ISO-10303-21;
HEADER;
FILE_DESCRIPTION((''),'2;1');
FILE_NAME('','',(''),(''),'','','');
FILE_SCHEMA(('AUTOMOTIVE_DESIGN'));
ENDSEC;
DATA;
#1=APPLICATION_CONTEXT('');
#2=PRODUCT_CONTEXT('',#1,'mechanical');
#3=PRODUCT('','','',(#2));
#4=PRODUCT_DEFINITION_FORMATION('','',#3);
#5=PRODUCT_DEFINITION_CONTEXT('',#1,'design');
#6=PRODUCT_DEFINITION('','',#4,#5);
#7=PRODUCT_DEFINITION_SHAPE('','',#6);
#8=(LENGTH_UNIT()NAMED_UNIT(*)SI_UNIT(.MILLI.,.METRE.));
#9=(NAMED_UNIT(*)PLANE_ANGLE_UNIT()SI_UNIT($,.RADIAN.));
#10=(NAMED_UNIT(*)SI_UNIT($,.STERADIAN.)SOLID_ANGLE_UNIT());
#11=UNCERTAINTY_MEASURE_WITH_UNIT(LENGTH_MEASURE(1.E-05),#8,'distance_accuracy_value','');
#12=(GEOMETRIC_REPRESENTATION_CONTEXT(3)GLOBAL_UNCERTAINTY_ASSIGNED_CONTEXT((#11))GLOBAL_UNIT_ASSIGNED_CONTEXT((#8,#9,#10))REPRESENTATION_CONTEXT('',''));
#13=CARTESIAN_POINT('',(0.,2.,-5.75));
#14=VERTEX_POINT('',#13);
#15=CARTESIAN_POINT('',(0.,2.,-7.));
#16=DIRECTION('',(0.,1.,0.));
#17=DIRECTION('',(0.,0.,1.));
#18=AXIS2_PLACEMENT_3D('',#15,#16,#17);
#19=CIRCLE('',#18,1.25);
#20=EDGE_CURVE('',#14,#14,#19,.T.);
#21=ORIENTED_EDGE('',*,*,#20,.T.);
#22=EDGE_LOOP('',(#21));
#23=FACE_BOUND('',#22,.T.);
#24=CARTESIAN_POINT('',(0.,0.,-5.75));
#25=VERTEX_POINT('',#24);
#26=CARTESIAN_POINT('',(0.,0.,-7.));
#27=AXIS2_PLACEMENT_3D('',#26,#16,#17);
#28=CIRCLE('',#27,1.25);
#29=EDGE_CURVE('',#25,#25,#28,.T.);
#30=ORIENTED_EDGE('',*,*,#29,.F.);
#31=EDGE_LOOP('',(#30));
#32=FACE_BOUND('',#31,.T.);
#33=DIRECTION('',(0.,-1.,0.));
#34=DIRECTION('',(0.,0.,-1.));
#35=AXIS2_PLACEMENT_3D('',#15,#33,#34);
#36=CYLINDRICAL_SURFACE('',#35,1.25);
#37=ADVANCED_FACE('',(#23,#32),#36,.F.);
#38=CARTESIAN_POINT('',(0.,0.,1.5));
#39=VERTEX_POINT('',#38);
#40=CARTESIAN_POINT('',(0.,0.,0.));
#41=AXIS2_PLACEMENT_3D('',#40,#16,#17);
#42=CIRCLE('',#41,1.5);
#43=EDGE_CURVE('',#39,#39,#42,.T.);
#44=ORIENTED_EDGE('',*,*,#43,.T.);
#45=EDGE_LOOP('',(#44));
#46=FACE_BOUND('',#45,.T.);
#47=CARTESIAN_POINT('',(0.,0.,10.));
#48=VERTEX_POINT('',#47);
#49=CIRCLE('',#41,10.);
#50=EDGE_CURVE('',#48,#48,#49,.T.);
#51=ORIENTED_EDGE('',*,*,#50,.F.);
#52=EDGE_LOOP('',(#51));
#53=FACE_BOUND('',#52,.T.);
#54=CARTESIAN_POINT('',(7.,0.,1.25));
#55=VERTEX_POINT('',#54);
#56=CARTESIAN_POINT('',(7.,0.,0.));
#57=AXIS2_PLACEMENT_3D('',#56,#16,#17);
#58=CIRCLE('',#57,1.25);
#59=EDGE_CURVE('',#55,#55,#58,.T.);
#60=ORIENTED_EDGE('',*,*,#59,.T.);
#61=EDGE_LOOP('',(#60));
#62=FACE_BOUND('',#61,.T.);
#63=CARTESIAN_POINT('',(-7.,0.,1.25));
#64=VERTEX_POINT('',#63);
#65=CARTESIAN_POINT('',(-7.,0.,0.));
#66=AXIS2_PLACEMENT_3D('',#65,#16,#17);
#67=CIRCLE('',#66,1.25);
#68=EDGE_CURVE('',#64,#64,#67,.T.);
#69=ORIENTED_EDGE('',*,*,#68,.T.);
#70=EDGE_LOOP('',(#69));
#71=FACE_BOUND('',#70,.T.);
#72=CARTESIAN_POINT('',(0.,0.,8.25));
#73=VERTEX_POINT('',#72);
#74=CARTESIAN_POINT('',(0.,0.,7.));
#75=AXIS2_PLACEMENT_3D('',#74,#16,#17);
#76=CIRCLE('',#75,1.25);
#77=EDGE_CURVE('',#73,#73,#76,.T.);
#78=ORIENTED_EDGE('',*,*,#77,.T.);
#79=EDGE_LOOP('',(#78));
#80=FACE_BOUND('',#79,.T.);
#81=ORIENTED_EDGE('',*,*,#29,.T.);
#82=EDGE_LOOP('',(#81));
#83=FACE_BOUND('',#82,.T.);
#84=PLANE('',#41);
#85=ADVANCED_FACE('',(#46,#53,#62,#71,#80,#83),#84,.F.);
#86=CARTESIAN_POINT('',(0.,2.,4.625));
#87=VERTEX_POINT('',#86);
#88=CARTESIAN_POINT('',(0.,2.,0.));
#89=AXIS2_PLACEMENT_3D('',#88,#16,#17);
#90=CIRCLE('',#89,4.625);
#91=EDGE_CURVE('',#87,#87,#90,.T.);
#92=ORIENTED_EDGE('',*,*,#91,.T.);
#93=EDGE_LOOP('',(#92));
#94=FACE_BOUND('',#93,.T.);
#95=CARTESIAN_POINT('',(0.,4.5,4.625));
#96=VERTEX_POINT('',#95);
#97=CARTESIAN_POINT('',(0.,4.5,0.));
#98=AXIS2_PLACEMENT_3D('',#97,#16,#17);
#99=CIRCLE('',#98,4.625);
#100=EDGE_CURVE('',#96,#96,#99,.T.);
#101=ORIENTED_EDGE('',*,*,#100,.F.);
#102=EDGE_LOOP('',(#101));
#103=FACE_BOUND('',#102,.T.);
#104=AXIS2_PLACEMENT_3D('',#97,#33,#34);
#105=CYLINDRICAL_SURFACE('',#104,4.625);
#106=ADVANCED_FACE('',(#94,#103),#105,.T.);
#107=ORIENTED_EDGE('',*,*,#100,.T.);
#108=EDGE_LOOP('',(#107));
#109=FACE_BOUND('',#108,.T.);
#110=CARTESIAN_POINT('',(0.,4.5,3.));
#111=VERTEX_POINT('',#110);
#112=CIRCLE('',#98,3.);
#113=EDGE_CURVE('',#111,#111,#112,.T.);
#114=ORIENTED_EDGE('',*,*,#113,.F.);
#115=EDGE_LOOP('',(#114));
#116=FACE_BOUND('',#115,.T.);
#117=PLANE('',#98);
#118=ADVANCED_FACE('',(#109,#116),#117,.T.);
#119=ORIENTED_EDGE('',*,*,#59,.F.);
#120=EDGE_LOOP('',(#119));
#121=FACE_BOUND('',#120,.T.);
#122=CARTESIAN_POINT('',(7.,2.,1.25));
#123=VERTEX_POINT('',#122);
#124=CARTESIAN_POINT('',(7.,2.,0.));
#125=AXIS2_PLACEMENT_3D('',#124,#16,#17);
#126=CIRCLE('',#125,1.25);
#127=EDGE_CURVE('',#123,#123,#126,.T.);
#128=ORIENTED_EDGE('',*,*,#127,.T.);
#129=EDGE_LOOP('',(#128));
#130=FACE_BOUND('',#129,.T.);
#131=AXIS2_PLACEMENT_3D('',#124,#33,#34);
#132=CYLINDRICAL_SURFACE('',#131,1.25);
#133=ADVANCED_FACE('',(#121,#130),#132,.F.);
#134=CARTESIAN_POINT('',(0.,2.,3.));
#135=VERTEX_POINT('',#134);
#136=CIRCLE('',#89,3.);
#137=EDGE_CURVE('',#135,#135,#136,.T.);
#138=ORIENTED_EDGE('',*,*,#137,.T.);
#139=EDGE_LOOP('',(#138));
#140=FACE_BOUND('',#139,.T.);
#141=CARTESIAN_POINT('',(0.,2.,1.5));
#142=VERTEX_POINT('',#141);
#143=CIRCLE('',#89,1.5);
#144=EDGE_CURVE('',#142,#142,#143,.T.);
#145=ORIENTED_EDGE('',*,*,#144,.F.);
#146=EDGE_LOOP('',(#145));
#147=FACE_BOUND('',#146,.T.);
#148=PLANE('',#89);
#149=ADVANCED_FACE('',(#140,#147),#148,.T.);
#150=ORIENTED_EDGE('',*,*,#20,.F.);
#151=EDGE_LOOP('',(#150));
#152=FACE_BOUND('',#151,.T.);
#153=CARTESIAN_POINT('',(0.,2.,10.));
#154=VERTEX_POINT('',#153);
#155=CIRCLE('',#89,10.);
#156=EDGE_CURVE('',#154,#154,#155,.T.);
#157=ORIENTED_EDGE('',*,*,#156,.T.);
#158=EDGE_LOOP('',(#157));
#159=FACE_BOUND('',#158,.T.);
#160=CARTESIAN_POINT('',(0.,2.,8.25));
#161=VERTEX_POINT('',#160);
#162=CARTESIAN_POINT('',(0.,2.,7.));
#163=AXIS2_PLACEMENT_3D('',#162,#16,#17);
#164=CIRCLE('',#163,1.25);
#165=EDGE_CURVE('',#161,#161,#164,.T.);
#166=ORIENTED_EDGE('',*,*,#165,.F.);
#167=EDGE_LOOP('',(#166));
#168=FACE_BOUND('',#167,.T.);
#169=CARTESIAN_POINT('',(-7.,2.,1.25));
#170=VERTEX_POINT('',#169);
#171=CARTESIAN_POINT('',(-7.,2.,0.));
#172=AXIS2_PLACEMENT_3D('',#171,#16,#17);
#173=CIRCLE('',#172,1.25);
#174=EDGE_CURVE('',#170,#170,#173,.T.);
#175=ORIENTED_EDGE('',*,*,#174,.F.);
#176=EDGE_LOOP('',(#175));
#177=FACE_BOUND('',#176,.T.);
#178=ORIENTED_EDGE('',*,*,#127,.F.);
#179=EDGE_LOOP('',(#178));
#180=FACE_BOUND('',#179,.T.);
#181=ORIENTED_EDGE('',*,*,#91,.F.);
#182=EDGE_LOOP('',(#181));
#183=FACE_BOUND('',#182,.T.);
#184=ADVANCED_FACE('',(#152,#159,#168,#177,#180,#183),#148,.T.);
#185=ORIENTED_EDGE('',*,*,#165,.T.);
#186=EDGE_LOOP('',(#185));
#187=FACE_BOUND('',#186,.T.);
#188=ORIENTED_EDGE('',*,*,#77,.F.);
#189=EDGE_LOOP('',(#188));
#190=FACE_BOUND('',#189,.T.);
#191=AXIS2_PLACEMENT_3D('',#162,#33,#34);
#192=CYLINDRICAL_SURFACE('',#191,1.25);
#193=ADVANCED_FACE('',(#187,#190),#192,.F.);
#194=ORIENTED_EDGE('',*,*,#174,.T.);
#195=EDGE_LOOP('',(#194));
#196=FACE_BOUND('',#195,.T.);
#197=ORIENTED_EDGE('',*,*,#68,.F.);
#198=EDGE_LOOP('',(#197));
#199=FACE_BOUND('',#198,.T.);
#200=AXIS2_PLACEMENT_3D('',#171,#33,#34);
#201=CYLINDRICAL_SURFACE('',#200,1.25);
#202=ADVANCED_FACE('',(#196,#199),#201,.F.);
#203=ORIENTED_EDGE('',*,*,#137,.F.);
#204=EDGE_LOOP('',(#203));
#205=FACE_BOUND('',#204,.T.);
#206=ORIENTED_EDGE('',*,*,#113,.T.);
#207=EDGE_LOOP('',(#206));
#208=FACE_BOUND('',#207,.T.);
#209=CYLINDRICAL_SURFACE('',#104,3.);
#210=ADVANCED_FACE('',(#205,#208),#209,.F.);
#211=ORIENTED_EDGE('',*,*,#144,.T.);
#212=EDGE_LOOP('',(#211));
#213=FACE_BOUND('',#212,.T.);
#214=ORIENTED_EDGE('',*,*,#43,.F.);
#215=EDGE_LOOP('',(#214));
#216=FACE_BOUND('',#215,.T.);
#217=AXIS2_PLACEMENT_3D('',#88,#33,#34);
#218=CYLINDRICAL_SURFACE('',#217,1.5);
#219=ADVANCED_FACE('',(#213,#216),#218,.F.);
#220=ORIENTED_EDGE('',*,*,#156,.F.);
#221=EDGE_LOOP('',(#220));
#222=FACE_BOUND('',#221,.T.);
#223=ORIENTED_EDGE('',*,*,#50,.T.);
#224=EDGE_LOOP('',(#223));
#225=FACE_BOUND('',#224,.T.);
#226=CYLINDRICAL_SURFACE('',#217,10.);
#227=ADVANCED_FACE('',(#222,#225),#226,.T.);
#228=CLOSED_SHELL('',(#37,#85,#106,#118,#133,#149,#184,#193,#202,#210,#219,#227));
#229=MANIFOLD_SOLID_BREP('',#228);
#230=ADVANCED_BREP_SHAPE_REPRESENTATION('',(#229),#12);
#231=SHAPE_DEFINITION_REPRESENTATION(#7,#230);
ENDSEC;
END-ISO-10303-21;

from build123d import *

# Parameters (mm, degrees)
SKETCH1_R           = 10
SKETCH1_R_2         = 1.25
SKETCH1_R_3         = 1.5
BOSS_EXTRUDE1_DEPTH = 2
SKETCH2_R           = 4.625
SKETCH2_R_2         = 3
BOSS_EXTRUDE2_DEPTH = 2.5


with BuildPart() as part:
    # Sketch1 → Boss-Extrude1 (new body)
    with BuildSketch(Plane(origin=(0, 0, 0), x_dir=(1, 0, 0), z_dir=(0, 1, 0))):
        Circle(SKETCH1_R)
        with Locations((0, 7)):
            Circle(SKETCH1_R_2, mode=Mode.SUBTRACT)
        Circle(SKETCH1_R_3, mode=Mode.SUBTRACT)
        with Locations((7, 0)):
            Circle(SKETCH1_R_2, mode=Mode.SUBTRACT)
        with Locations((0, -7)):
            Circle(SKETCH1_R_2, mode=Mode.SUBTRACT)
        with Locations((-7, 0)):
            Circle(SKETCH1_R_2, mode=Mode.SUBTRACT)
    extrude(amount=BOSS_EXTRUDE1_DEPTH)

    # Sketch2 → Boss-Extrude2 (add)
    with BuildSketch(Plane(origin=(0, 2, 0), x_dir=(1, 0, 0), z_dir=(0, 1, 0))):
        Circle(SKETCH2_R)
        Circle(SKETCH2_R_2, mode=Mode.SUBTRACT)
    extrude(amount=BOSS_EXTRUDE2_DEPTH)


solid = part.part
